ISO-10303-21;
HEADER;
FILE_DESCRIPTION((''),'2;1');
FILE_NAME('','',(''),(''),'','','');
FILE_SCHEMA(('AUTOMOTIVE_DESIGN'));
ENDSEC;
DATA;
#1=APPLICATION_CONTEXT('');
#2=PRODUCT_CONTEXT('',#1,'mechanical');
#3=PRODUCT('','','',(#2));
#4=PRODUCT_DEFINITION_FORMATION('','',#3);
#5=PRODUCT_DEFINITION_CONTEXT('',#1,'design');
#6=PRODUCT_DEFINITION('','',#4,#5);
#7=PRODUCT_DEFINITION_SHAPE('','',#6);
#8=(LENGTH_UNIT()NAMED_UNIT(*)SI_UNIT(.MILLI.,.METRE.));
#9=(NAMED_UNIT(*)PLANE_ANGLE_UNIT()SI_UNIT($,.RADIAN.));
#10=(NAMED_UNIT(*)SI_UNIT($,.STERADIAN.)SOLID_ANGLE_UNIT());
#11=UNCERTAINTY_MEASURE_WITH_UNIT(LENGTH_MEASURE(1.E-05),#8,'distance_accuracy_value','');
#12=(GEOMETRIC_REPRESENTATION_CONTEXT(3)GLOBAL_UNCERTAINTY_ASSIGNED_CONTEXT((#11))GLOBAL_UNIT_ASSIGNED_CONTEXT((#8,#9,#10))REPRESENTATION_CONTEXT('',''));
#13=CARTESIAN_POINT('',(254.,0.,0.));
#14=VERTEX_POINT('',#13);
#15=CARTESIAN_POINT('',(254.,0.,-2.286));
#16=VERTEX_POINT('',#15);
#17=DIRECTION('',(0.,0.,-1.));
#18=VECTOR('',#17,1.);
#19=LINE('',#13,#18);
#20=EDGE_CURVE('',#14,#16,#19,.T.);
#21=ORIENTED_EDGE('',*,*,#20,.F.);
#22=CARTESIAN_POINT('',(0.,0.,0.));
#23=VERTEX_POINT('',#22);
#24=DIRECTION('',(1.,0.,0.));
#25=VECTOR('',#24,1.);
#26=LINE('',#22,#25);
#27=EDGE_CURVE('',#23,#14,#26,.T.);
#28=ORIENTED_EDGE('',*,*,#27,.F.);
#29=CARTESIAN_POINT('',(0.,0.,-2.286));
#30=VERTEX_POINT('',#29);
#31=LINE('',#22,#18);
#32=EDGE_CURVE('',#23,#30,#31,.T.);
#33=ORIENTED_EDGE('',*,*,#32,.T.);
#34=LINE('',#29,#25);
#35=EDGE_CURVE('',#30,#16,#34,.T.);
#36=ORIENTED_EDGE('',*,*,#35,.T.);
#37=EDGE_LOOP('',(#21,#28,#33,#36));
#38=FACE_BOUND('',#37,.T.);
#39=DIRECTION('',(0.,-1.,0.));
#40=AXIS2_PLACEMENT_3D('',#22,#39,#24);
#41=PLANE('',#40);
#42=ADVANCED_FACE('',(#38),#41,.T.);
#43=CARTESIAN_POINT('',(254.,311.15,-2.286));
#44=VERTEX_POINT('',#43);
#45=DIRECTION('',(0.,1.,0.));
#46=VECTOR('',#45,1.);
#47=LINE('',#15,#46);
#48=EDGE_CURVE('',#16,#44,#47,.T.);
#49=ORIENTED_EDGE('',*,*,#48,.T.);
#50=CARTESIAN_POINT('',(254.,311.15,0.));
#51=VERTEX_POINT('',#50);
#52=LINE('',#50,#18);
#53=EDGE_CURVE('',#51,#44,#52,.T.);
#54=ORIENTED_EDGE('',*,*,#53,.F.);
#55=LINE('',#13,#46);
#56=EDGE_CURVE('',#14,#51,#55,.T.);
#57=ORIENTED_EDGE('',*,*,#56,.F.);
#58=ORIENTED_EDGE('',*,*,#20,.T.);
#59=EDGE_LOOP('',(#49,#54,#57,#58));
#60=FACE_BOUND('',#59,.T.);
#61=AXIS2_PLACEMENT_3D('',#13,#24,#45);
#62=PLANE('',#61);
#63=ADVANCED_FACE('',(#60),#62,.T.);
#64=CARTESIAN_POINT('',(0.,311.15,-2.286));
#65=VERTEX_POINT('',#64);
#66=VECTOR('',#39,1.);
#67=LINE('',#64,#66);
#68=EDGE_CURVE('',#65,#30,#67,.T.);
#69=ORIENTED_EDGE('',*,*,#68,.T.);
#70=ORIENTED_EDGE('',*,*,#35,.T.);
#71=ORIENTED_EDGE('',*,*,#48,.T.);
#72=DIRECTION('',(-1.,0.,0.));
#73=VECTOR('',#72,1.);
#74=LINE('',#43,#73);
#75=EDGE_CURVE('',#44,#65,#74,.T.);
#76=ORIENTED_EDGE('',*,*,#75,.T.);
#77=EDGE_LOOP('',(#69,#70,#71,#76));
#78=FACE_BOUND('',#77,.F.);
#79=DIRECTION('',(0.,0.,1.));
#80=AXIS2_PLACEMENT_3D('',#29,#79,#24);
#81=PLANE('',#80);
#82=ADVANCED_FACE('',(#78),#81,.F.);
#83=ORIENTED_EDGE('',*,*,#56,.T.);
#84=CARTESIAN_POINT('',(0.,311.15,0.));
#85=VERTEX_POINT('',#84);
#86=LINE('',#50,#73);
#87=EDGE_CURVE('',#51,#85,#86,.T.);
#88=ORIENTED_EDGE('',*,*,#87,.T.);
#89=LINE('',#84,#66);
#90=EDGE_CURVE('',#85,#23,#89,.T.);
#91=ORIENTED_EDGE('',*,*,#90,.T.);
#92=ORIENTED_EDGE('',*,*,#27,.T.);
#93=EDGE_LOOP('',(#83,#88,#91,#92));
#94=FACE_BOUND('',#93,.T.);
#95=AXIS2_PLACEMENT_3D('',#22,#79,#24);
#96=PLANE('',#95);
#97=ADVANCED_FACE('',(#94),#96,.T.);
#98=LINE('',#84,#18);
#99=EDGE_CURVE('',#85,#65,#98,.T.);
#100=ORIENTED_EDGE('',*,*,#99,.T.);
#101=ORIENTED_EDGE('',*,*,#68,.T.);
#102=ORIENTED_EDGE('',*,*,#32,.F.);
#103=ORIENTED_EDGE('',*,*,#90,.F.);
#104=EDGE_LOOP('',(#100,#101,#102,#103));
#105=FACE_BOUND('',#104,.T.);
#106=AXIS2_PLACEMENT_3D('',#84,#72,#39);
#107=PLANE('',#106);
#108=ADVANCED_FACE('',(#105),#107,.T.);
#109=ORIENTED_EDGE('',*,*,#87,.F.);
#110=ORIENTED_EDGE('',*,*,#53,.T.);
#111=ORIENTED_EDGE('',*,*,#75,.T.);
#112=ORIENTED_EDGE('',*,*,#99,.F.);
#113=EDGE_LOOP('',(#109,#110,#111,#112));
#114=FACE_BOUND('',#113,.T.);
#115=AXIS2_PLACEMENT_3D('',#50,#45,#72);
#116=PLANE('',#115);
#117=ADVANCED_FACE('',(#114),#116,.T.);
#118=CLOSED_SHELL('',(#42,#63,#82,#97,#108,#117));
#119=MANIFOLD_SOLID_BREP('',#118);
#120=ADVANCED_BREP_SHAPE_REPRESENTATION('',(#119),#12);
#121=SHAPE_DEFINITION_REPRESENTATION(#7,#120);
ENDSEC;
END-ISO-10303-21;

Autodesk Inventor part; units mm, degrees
ref_plane "YZ Plane" through (0, 0, 0) normal (1, 0, 0) x (0, 1, 0)
ref_plane "XZ Plane" through (0, 0, 0) normal (0, 1, 0) x (-1, 0, 0)
ref_plane "XY Plane" through (0, 0, 0) normal (0, 0, 1) x (1, 0, 0)
sketch "Sketch1" plane through (0, 0, 0) normal (0, 0, 1) x (1, 0, 0)
  line L0 (0, 0) -> (254, 0)
  line L1 (254, 0) -> (254, 311.15)
  line L2 (254, 311.15) -> (0, 311.15)
  line L3 (0, 311.15) -> (0, 0)
  dimension "d0" = 254
  dimension "d1" = 311.15
extrude "Extrusion1" add sketch "Sketch1" against normal blind 2.286
properties part number "Front Face"
